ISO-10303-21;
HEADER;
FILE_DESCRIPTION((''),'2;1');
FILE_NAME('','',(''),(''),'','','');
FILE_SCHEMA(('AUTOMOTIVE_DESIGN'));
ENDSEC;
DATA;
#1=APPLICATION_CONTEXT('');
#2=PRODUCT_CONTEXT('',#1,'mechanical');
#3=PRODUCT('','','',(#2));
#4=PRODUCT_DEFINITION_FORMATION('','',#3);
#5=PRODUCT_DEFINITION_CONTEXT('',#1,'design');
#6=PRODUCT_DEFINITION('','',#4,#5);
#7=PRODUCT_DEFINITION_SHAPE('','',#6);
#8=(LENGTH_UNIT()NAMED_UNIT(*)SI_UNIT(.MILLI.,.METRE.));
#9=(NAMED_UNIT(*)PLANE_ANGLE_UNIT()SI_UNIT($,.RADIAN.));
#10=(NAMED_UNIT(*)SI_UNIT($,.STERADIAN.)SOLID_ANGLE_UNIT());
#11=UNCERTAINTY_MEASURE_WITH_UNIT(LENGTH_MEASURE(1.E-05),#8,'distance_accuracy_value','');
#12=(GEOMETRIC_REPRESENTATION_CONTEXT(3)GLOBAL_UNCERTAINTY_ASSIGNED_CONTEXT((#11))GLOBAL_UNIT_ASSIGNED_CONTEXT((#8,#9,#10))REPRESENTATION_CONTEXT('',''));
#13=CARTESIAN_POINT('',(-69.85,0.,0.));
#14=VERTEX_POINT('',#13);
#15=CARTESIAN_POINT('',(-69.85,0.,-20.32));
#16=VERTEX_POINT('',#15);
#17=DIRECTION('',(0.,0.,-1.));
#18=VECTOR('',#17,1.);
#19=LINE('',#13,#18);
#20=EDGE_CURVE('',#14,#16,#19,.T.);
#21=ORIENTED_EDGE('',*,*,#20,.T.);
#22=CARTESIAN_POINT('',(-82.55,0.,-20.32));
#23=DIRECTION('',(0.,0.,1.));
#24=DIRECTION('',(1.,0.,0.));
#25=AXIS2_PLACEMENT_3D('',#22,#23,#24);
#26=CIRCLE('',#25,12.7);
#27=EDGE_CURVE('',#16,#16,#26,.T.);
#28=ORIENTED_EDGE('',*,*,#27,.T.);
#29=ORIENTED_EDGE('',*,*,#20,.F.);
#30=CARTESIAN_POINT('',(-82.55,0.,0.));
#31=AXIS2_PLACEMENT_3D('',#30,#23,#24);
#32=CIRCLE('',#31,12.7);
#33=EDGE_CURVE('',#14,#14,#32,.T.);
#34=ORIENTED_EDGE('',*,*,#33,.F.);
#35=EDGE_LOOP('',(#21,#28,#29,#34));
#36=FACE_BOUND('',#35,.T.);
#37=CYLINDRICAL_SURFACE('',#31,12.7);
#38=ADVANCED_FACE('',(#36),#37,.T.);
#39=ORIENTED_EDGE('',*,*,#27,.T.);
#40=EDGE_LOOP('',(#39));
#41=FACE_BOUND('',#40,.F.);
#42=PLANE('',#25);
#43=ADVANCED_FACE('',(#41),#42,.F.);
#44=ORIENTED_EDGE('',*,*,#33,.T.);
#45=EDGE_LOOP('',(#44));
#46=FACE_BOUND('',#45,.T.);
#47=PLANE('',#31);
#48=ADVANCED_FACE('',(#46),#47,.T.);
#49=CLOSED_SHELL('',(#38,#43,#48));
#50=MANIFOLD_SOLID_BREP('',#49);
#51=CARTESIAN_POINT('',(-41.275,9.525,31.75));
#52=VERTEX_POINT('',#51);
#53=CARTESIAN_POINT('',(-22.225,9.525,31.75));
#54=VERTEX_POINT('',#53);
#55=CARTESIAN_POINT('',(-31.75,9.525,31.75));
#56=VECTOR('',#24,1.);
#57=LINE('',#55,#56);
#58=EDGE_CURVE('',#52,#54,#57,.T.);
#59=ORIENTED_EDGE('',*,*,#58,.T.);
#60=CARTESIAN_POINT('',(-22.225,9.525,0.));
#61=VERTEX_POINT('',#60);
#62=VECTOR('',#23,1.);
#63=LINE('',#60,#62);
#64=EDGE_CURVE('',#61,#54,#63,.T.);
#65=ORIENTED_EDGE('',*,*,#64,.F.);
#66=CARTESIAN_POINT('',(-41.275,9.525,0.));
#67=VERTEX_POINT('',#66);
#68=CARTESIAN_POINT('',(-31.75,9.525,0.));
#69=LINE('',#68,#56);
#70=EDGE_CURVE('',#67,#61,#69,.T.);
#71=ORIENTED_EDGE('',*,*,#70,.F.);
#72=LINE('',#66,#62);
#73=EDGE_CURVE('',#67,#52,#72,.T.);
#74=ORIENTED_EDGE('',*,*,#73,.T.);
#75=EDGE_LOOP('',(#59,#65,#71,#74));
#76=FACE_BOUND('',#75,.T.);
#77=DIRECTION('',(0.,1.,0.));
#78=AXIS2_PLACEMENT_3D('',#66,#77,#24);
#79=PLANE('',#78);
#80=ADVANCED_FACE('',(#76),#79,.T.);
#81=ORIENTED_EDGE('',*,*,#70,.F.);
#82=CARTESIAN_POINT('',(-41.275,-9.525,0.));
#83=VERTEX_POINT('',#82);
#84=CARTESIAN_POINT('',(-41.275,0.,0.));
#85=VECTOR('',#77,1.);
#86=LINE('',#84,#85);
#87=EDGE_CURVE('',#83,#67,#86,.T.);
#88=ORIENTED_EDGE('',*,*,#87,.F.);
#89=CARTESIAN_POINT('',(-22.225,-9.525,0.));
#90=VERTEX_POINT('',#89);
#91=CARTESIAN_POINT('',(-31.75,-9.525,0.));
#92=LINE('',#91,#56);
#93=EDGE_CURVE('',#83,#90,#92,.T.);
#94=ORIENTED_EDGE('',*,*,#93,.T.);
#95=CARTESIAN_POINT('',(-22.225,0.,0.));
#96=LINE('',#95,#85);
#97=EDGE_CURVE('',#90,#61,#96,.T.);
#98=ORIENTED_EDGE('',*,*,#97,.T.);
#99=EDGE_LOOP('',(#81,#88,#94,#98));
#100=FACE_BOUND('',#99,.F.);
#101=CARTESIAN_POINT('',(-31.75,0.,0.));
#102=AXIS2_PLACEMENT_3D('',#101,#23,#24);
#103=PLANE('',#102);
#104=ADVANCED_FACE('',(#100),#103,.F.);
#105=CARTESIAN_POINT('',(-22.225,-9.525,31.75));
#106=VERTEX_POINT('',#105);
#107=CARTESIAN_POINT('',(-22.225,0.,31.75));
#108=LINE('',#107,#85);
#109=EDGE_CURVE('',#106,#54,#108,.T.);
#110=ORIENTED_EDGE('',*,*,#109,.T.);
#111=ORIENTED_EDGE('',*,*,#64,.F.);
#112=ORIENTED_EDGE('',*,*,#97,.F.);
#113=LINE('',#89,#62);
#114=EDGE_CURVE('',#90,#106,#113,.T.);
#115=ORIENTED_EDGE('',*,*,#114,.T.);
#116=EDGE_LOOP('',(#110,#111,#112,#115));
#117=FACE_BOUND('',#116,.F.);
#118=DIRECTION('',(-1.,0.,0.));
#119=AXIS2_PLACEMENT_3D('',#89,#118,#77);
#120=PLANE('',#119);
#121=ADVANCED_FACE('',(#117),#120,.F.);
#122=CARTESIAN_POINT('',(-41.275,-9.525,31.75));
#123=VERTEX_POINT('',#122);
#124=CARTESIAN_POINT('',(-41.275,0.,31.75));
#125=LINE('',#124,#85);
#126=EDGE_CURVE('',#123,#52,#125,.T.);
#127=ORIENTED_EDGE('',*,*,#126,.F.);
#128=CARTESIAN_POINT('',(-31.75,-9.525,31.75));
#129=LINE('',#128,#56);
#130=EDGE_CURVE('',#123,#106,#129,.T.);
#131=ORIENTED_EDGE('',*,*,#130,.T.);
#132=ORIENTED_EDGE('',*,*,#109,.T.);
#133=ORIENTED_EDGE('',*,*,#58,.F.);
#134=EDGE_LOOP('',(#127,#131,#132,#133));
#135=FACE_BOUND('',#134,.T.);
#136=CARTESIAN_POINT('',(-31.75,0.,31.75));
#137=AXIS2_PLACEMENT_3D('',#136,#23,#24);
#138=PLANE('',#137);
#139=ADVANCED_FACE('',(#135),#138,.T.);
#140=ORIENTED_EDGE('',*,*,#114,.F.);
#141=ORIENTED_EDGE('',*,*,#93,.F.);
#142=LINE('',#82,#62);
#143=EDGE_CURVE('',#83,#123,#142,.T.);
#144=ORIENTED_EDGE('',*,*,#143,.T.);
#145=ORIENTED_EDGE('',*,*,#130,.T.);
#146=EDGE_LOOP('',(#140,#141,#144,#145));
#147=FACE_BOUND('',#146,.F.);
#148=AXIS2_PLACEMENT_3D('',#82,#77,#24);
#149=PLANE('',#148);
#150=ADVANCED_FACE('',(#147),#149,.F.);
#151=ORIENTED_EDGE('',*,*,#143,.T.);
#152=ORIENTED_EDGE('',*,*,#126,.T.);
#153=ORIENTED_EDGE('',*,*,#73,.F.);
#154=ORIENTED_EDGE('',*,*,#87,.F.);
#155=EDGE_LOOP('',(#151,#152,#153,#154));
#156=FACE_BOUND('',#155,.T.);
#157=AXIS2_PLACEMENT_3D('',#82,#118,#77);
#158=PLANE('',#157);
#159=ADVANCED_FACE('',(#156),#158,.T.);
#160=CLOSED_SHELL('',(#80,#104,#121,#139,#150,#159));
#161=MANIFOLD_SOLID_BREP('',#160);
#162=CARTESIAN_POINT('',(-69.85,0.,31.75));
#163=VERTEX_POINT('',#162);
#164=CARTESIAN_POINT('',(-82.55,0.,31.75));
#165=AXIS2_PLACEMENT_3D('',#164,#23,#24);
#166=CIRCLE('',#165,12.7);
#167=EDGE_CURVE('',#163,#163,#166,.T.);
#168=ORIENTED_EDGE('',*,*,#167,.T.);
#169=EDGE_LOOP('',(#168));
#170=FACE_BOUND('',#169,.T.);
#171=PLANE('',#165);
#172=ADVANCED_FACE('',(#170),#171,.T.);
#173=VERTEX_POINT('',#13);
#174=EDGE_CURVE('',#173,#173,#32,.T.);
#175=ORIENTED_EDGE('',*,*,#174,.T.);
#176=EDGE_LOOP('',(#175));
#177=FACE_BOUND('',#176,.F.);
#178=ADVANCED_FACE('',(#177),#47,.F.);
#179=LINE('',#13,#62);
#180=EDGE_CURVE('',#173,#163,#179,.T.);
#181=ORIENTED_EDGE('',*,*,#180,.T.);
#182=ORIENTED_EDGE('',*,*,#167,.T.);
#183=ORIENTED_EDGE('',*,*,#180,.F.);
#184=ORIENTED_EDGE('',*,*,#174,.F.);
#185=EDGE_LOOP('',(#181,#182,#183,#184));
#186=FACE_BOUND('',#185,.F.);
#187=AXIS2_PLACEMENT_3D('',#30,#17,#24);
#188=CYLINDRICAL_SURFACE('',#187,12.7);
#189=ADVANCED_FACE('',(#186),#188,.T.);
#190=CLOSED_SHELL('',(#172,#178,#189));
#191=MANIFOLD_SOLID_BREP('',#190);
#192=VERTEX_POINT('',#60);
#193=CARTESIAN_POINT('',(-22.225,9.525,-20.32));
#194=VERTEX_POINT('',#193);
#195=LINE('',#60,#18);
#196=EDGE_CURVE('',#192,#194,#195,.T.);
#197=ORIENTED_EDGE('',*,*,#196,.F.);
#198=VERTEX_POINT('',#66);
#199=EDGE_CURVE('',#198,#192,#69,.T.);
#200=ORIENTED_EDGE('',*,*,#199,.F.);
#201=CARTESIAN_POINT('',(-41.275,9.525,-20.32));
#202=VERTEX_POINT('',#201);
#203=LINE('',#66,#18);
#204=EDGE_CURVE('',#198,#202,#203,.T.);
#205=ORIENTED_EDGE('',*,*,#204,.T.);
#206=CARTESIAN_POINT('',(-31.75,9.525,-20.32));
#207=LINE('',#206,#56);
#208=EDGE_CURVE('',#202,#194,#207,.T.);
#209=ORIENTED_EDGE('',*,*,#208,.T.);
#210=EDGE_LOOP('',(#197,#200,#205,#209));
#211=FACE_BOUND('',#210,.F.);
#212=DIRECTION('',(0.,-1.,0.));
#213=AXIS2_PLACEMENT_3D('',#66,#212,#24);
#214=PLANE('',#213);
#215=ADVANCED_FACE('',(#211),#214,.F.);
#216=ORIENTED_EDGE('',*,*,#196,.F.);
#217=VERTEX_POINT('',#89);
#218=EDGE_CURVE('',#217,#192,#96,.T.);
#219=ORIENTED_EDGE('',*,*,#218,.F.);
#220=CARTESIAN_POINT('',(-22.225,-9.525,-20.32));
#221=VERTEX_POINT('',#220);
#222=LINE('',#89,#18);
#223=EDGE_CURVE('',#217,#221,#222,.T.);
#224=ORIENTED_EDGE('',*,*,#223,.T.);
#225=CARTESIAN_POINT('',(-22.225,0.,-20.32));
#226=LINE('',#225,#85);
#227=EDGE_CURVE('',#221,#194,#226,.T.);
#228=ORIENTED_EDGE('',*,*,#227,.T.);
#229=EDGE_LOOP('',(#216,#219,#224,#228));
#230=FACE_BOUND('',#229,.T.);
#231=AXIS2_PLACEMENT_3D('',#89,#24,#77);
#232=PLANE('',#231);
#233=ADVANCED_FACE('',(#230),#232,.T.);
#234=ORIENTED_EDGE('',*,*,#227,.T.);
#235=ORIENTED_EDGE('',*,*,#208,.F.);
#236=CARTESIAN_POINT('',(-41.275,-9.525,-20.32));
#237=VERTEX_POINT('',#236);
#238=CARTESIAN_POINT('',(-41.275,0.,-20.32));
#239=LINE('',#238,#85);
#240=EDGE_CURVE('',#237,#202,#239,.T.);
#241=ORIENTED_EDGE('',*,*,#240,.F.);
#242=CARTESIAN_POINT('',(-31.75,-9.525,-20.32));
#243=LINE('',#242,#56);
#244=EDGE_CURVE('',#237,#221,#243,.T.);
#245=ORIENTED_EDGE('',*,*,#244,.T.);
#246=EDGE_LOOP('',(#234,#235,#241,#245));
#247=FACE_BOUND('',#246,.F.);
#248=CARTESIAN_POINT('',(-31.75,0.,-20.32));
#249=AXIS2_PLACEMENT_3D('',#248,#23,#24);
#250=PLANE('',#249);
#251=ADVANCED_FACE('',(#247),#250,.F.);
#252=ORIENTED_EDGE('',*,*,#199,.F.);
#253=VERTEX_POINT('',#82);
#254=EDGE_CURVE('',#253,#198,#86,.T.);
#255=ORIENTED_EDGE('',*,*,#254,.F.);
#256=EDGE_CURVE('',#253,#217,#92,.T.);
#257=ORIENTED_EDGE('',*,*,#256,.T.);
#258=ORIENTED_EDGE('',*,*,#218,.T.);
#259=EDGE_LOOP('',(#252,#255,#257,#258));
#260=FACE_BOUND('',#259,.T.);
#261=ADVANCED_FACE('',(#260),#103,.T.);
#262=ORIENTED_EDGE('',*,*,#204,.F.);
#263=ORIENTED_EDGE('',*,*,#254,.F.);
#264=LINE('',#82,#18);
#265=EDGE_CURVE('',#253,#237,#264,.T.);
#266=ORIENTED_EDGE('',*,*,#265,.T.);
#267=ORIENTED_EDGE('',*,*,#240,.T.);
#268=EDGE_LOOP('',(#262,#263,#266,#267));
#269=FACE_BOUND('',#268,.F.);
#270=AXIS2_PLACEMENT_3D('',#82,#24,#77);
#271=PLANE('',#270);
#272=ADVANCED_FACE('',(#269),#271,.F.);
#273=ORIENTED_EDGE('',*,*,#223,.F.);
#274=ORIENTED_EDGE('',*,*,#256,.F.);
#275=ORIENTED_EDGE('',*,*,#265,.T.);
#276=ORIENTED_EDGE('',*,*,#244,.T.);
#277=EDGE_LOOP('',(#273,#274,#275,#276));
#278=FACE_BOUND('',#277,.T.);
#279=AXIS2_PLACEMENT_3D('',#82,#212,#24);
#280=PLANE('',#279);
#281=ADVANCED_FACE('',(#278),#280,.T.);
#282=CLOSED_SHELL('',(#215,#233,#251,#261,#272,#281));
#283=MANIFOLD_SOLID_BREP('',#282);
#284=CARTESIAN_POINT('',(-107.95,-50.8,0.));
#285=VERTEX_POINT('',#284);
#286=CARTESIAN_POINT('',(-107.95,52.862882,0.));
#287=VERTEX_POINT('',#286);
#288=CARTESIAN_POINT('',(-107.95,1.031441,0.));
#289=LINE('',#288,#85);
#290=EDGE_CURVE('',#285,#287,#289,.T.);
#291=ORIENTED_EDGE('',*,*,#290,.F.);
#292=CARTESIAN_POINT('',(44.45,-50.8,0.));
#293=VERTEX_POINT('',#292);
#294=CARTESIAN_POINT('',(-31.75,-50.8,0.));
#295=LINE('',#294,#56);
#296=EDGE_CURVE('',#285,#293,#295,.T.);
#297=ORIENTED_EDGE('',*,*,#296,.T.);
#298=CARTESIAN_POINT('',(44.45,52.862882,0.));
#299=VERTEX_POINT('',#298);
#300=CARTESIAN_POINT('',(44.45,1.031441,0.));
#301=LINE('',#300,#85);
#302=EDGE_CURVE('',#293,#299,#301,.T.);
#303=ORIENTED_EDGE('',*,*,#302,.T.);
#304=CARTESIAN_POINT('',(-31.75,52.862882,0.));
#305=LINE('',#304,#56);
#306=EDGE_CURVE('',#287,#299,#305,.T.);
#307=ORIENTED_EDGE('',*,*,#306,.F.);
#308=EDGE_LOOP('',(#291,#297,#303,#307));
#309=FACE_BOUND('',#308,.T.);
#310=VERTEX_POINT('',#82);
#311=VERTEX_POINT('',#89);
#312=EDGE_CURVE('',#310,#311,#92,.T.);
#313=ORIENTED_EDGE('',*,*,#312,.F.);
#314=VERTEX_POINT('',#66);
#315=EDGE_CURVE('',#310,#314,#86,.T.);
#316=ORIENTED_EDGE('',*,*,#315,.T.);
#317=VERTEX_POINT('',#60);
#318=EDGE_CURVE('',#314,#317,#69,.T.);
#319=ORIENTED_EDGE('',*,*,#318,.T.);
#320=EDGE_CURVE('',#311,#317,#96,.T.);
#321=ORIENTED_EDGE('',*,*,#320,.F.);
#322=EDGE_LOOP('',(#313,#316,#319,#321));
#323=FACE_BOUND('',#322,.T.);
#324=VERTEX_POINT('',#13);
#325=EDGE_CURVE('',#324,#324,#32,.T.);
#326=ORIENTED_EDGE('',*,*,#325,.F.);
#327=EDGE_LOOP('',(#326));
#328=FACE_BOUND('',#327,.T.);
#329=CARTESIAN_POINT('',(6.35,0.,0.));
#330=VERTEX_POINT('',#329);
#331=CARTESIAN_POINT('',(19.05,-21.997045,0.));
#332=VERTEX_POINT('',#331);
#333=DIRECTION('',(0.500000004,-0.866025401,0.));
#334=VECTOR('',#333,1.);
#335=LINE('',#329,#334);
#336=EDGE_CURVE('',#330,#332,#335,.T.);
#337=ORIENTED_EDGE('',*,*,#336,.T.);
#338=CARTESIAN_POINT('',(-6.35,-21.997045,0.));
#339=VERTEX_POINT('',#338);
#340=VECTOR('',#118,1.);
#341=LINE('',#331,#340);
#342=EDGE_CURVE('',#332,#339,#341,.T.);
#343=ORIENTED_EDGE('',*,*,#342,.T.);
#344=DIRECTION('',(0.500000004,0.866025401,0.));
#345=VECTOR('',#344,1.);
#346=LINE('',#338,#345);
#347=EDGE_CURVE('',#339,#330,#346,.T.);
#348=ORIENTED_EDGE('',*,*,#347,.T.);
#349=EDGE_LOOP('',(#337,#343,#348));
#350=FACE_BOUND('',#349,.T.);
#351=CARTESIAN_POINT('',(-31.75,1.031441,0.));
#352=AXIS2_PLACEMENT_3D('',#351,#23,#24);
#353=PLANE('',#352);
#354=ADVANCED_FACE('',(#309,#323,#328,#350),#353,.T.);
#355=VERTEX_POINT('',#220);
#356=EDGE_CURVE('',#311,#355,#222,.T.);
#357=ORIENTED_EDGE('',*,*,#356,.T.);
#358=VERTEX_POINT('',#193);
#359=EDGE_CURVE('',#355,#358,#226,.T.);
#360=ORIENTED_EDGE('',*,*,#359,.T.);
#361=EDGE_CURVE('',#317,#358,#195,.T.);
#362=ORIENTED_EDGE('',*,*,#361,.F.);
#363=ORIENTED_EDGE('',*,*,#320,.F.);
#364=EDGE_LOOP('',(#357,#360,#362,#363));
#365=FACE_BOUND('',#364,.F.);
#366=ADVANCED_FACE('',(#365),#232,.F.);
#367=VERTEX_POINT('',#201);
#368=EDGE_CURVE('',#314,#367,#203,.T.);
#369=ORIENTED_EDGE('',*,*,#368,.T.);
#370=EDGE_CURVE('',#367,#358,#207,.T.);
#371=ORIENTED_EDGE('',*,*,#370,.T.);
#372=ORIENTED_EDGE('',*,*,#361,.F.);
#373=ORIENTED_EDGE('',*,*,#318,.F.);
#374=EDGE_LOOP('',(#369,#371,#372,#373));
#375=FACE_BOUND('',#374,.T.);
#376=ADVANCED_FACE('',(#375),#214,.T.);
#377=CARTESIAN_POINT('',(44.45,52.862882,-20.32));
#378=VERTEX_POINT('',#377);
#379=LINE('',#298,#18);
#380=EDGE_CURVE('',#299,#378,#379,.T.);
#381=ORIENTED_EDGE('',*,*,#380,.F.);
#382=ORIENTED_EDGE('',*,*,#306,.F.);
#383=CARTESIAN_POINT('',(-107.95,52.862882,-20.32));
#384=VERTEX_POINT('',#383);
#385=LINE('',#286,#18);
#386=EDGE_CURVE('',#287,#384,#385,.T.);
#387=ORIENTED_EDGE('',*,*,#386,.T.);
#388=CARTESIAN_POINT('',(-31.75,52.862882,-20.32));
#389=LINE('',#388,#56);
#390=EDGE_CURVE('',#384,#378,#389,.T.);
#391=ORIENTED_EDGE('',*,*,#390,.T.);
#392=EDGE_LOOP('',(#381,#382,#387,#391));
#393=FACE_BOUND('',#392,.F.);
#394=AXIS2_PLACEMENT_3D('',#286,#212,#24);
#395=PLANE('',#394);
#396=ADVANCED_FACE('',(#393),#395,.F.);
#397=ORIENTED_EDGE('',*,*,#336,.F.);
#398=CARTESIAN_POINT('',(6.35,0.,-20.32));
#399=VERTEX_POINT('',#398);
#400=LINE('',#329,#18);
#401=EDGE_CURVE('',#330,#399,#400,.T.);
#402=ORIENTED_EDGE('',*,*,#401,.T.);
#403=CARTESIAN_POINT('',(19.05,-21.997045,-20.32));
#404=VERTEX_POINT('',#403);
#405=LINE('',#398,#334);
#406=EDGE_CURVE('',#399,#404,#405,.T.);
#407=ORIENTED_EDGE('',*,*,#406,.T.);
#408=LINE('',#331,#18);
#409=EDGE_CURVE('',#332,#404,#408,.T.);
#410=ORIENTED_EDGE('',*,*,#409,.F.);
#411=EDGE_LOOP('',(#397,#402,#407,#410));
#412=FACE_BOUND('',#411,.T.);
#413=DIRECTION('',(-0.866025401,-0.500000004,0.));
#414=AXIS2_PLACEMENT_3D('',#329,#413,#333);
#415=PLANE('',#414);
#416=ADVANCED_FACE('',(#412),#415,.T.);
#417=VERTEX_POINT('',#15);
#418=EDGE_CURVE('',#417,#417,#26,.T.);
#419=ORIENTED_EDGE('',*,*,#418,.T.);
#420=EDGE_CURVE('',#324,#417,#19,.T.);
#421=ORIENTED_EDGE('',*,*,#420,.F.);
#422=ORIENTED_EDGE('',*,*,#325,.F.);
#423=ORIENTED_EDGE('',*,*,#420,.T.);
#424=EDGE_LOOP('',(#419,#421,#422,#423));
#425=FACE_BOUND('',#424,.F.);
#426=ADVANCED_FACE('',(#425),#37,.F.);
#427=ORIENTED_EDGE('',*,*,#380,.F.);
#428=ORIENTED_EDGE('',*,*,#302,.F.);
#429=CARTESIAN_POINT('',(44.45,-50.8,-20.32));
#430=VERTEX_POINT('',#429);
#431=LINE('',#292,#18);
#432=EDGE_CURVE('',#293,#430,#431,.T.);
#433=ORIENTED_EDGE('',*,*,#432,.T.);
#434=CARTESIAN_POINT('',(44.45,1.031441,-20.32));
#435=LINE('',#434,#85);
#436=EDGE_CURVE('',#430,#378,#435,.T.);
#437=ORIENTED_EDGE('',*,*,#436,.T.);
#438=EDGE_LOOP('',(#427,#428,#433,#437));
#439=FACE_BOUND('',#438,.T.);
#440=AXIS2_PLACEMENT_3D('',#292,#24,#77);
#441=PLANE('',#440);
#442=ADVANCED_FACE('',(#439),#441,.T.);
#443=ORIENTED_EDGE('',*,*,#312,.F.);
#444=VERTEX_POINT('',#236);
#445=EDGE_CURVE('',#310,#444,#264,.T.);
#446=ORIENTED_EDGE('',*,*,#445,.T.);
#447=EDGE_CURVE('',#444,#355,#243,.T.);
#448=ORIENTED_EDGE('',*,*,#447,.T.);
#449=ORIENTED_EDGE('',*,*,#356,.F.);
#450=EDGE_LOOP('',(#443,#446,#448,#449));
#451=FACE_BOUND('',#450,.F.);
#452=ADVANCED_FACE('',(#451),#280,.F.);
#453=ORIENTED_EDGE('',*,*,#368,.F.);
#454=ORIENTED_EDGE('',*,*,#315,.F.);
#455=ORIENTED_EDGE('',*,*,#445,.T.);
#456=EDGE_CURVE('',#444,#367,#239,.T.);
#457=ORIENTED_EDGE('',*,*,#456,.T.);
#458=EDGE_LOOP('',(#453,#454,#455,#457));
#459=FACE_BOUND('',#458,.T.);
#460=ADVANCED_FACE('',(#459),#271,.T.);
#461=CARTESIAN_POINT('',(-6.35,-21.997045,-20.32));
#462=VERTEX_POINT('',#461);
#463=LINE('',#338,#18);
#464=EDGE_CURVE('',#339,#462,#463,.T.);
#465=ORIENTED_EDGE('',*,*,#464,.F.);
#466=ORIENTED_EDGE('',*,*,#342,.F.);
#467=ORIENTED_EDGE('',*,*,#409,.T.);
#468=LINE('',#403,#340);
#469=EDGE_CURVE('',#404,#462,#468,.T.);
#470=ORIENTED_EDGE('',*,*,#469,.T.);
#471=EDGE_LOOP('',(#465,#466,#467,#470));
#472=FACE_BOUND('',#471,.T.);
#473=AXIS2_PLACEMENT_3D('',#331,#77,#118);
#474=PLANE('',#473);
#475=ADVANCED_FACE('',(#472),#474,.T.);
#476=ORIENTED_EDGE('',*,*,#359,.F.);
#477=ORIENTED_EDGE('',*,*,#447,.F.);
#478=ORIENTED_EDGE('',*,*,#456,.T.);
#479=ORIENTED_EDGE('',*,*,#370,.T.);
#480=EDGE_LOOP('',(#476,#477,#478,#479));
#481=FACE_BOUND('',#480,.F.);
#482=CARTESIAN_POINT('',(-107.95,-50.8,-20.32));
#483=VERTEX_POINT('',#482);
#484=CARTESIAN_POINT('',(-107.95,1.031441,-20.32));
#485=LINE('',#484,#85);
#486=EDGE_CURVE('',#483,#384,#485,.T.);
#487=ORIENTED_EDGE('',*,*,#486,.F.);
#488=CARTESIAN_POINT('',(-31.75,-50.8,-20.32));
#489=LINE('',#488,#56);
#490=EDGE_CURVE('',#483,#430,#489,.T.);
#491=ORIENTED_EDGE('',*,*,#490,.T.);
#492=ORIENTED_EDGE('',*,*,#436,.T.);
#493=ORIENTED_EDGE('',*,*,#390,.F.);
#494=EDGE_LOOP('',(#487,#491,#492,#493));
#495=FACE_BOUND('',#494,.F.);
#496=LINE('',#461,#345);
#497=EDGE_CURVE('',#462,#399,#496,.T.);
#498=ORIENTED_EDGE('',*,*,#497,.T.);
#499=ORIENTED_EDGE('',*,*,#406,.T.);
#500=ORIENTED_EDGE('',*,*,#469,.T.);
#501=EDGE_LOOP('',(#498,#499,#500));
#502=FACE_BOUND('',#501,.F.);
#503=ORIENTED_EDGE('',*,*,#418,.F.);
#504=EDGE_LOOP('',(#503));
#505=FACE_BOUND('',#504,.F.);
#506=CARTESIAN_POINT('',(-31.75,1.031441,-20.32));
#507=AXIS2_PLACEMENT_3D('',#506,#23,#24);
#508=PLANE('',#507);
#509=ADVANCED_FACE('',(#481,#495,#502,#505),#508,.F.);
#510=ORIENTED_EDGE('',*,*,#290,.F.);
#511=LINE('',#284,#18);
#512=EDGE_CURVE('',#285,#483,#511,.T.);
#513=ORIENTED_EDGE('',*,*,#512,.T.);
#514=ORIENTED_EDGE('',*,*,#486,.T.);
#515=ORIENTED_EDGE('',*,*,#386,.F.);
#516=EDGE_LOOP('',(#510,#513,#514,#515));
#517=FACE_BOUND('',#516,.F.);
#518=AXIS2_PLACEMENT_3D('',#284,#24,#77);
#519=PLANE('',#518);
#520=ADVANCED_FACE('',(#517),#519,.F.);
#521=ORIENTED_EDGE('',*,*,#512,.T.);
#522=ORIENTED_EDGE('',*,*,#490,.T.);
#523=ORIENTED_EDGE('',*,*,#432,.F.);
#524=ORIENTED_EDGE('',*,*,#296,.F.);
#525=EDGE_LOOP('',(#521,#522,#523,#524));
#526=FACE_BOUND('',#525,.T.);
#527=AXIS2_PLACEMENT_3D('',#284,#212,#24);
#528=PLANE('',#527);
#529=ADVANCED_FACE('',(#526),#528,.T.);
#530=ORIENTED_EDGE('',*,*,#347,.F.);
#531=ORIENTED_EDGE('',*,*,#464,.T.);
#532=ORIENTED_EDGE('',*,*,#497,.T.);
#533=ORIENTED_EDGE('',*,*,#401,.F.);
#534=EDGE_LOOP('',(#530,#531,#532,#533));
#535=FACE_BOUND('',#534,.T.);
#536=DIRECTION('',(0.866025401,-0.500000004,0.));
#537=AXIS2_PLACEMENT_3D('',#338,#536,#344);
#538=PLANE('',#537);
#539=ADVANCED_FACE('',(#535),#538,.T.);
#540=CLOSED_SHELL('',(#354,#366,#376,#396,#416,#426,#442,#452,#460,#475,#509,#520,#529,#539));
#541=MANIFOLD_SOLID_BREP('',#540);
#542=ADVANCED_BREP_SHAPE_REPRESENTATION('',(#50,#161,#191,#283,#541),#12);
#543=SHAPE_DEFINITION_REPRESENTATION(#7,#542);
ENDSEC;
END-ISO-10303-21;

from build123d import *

# Parameters (mm, degrees)
F0_R     = 12.7
F0_W     = 19.05
F0_H     = 19.05
F1_DEPTH = 31.75
F0_W_2   = 152.4
F0_H_2   = 103.662882
F2_DEPTH = 20.32
F3_DEPTH = 20.32


with BuildPart() as f1:
    # F0 (on Top) → F1 (new body)
    with BuildSketch(Plane.XY):
        with Locations((-82.55, 0)):
            Circle(F0_R)
        with Locations((-31.75, 0)):
            Rectangle(F0_W, F0_H)
    extrude(amount=F1_DEPTH)


with BuildPart() as f2:
    # F0 (on Top) → F2 (new body)
    with BuildSketch(Plane.XY):
        with Locations((-31.75, 1.031441)):
            Rectangle(F0_W_2, F0_H_2)
        with Locations((-82.55, 0)):
            Circle(F0_R, mode=Mode.SUBTRACT)
        with Locations((-31.75, 0)):
            Rectangle(F0_W, F0_H, mode=Mode.SUBTRACT)
        Polygon((-6.35, -21.997045), (6.35, 0), (19.05, -21.997045), align=None, mode=Mode.SUBTRACT)
    extrude(amount=-F2_DEPTH)


with BuildPart() as f3:
    # F0 (on Top) → F3 (new body)
    with BuildSketch(Plane.XY):
        with Locations((-82.55, 0)):
            Circle(F0_R)
        with Locations((-31.75, 0)):
            Rectangle(F0_W, F0_H)
    extrude(amount=-F3_DEPTH)


solid = Compound([f1.part, f2.part, f3.part])
